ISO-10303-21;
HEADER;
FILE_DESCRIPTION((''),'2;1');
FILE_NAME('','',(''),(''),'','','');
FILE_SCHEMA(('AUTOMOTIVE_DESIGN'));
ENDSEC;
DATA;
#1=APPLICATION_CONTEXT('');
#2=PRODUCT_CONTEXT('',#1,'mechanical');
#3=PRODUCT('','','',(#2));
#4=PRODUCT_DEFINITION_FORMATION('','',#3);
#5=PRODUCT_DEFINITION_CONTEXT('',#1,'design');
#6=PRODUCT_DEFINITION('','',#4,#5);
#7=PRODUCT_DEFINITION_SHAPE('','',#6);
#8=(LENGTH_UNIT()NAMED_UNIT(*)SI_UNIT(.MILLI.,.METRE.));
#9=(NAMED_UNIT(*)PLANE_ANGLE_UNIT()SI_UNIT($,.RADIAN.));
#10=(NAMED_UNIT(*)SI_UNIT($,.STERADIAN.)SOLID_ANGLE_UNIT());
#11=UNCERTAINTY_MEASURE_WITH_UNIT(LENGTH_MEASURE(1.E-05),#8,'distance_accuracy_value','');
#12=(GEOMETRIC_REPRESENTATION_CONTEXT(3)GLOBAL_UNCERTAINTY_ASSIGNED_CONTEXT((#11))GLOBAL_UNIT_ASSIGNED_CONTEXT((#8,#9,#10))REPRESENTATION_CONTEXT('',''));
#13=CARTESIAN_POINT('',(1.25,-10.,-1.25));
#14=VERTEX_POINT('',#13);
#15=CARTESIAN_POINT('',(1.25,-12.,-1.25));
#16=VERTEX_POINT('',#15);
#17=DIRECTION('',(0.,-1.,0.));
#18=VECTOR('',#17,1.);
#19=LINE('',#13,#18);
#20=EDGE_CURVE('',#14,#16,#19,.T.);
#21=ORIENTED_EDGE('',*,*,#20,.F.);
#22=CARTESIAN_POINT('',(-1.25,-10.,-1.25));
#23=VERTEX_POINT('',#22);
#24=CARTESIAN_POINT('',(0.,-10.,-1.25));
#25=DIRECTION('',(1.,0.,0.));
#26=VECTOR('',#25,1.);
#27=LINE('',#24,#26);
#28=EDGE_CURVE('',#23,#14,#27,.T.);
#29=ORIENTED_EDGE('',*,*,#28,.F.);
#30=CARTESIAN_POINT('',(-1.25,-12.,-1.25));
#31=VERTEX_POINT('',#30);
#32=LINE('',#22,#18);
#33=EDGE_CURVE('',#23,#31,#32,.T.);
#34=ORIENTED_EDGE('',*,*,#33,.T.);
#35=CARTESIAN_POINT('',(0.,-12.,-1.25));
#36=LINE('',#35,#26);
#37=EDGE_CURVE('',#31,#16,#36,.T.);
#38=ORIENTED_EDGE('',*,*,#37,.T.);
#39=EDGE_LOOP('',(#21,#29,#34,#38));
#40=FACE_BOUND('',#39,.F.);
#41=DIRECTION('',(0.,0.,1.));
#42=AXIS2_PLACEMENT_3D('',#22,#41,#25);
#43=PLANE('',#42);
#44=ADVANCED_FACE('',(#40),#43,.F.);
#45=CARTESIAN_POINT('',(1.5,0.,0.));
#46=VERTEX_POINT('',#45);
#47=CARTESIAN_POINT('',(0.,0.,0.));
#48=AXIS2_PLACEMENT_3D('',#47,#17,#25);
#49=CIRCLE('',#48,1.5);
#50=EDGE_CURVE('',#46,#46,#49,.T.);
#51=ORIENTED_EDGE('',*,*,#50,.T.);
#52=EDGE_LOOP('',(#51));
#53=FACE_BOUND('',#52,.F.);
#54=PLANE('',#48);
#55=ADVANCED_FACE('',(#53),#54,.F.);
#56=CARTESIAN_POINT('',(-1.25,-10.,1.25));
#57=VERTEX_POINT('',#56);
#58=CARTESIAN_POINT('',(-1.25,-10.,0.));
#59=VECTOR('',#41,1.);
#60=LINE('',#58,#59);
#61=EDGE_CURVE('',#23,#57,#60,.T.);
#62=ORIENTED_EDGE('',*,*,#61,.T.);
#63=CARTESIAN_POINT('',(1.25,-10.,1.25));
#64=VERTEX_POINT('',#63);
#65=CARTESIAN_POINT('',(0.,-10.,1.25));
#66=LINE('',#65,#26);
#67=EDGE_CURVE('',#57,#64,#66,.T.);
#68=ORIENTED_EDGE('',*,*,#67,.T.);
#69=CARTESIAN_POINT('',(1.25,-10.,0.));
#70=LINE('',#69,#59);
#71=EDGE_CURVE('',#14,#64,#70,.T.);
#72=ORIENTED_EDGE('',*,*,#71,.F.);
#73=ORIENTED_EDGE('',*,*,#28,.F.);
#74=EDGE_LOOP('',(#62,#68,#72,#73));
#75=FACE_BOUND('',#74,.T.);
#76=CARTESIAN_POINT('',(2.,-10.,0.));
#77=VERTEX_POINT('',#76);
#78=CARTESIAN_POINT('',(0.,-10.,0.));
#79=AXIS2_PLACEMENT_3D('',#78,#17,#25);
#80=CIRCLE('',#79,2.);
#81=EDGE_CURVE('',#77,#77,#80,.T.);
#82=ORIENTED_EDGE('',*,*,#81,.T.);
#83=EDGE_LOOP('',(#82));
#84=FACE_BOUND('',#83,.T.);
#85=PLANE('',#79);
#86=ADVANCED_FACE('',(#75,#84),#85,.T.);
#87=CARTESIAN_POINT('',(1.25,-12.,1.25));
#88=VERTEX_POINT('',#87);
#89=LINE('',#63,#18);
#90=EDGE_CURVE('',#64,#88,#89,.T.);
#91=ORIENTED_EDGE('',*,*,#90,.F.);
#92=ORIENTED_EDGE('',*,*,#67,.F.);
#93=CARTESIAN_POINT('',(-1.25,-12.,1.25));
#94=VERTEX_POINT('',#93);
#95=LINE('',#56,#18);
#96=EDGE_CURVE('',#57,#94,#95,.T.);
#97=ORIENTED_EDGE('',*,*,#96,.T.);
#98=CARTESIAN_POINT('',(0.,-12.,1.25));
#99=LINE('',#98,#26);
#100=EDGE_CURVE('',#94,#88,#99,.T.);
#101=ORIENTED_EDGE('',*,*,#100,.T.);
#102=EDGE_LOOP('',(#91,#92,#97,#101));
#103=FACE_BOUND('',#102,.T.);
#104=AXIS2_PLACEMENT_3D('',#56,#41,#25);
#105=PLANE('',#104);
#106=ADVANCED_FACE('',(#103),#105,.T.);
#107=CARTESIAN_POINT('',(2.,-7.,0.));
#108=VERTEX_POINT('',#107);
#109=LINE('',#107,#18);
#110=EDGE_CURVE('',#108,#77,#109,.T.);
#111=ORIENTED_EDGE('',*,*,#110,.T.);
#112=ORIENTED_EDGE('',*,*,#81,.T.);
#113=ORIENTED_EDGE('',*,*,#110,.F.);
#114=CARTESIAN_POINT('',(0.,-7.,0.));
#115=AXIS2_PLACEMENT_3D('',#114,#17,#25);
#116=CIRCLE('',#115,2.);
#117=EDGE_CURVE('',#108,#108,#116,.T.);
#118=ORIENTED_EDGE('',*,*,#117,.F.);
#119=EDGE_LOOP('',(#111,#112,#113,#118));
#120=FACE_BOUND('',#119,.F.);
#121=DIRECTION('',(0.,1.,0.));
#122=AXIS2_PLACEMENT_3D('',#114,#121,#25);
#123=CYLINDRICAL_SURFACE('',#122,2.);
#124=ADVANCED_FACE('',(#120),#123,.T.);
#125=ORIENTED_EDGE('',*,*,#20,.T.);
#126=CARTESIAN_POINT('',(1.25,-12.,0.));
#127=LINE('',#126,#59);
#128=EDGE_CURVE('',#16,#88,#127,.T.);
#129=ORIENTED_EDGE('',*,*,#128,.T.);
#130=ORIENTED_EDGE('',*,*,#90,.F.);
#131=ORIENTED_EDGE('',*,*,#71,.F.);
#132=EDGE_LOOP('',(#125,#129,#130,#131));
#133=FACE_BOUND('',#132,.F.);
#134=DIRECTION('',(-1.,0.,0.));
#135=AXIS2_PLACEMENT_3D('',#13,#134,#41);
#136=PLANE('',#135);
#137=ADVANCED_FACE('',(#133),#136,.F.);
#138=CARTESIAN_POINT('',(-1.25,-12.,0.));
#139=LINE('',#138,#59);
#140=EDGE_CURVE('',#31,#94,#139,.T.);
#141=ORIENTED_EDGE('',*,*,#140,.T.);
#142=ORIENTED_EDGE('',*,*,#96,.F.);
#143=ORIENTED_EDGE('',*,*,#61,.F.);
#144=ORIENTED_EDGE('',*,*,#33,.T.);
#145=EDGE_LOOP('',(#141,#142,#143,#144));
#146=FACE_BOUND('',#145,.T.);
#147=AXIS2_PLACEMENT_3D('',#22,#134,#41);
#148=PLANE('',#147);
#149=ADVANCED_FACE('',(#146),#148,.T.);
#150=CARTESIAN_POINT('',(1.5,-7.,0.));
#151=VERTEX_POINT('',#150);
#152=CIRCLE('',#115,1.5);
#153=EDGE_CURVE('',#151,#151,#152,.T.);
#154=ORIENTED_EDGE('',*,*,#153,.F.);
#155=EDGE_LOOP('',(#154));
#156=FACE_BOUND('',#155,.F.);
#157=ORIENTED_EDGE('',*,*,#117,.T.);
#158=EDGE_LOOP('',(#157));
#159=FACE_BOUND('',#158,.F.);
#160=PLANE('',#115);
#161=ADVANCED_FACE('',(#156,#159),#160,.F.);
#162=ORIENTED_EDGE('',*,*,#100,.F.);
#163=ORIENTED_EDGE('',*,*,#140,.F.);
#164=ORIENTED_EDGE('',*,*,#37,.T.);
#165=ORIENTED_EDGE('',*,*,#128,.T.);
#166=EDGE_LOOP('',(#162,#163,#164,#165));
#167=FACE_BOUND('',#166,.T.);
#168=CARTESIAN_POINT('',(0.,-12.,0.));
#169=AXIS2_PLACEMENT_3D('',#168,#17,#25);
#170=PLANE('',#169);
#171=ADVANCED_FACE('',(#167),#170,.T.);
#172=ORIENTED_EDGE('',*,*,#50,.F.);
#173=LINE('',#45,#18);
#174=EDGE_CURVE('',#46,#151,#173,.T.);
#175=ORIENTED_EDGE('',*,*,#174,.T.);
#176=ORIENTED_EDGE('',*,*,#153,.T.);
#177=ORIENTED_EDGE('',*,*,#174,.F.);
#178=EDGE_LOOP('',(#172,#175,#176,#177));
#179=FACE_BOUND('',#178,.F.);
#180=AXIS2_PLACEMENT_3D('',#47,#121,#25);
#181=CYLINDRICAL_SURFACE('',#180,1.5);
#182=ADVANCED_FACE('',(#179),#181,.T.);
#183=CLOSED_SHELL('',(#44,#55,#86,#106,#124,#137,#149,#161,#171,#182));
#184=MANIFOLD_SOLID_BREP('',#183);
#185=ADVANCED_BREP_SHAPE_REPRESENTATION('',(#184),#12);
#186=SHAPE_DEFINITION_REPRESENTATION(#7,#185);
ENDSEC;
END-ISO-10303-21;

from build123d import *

# Parameters (mm, degrees)
F0_R     = 1.5
F1_DEPTH = 7
F2_R     = 2
F3_DEPTH = 3
F4_W     = 2.5
F4_H     = 2.5
F5_DEPTH = 2


with BuildPart() as f1:
    # F0 (on Front) → F1 (new body)
    with BuildSketch(Plane.XZ):
        Circle(F0_R)
    extrude(amount=F1_DEPTH)

    # F2 (on face) → F3 (join)
    with BuildSketch(Plane.XZ.offset(7)):
        Circle(F2_R)
    extrude(amount=F3_DEPTH)

    # F4 (on face) → F5 (join)
    with BuildSketch(Plane.XZ.offset(10)):
        Rectangle(F4_W, F4_H)
    extrude(amount=F5_DEPTH)


solid = f1.part
